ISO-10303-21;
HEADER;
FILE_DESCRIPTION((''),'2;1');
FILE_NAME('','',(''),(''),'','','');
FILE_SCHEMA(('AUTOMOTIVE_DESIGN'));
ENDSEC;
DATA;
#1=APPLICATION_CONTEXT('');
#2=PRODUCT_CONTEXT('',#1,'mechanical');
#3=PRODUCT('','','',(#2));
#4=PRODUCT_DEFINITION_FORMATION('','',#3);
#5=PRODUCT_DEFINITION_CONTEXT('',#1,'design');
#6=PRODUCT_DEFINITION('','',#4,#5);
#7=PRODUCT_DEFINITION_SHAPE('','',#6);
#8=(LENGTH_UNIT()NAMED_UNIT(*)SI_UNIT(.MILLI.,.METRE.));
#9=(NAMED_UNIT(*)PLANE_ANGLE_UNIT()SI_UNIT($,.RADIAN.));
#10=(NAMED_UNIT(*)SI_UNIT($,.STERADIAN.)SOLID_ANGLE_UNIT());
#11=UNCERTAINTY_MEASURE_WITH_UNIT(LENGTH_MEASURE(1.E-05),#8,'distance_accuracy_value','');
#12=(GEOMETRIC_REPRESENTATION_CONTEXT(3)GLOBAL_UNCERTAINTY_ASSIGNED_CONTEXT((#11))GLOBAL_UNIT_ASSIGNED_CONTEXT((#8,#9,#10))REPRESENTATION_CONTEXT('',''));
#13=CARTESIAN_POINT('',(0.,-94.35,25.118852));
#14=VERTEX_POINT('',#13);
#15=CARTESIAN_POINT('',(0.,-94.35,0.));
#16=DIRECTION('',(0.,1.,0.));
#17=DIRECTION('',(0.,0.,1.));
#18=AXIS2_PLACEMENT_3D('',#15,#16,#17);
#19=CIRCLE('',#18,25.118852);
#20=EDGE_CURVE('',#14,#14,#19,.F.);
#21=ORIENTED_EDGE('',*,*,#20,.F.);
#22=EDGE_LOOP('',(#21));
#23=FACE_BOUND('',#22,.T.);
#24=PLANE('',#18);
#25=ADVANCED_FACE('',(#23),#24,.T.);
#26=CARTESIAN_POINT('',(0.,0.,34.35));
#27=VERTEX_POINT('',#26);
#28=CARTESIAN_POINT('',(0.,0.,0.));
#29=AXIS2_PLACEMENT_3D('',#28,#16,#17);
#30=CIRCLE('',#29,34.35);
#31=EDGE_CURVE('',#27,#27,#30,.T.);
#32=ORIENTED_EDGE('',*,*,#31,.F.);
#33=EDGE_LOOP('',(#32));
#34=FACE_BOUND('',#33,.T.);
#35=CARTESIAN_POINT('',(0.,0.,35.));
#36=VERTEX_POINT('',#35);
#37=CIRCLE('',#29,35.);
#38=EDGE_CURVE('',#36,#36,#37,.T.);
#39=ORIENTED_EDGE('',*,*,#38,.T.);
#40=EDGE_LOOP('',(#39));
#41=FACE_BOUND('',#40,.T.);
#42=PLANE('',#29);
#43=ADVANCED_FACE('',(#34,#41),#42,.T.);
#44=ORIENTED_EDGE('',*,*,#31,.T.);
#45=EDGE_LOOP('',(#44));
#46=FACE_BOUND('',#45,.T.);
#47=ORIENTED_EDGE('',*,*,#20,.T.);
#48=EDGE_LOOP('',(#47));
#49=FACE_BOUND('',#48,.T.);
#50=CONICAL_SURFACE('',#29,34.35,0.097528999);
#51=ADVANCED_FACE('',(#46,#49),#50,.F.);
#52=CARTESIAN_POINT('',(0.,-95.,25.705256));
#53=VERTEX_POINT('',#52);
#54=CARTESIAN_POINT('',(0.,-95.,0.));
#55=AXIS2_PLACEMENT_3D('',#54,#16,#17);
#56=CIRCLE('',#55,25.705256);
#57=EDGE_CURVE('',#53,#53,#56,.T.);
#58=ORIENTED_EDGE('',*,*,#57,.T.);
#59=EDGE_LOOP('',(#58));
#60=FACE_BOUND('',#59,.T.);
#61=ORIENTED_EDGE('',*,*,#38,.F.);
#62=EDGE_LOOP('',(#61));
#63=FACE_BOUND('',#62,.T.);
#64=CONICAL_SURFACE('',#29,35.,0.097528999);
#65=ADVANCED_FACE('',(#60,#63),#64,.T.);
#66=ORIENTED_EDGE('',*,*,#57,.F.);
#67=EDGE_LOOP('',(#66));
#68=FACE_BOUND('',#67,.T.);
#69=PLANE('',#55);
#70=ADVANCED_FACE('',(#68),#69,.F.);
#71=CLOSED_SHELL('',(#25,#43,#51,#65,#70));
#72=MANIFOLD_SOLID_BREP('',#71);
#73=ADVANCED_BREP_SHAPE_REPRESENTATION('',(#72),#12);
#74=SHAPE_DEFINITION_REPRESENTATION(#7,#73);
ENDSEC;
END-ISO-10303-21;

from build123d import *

# Parameters (mm, degrees)
SKETCH1_R           = 35
BOSS_EXTRUDE1_DEPTH = 95
BOSS_EXTRUDE1_DRAFT = -5.588
SKETCH3_R           = 34.35
CUT_EXTRUDE1_DEPTH  = 94.35
CUT_EXTRUDE1_DRAFT  = -5.588


with BuildPart() as part:
    # Sketch1 → Boss-Extrude1 (with draft: the straight prism first)
    with BuildSketch(Plane(origin=(0, 0, 0), x_dir=(1, 0, 0), z_dir=(0, 1, 0))):
        Circle(SKETCH1_R)
    extrude(amount=-BOSS_EXTRUDE1_DEPTH)
    # Boss-Extrude1: the draft: its side faces are tilted about the plane it starts from
    boss_extrude1_sides = [part.faces().sort_by_distance(p)[0] for p in [
        (-35, -47.5, 0),
    ]]
    draft(boss_extrude1_sides, Plane(origin=(0, 0, 0), x_dir=(1, 0, 0), z_dir=(0, 1, 0)), BOSS_EXTRUDE1_DRAFT)


with BuildPart() as cut_extrude1_tool:
    # Sketch3 → Cut-Extrude1 (with draft: the straight prism first)
    with BuildSketch(Plane(origin=(0, 0, 0), x_dir=(1, 0, 0), z_dir=(0, 1, 0))):
        Circle(SKETCH3_R)
    extrude(amount=-CUT_EXTRUDE1_DEPTH)
    # Cut-Extrude1: the draft: its side faces are tilted about the plane it starts from
    cut_extrude1_sides = [cut_extrude1_tool.faces().sort_by_distance(p)[0] for p in [
        (-34.35, -47.175, 0),
    ]]
    draft(cut_extrude1_sides, Plane(origin=(0, 0, 0), x_dir=(1, 0, 0), z_dir=(0, 1, 0)), CUT_EXTRUDE1_DRAFT)


with BuildPart() as part_1:
    add(part.part)

    # Cut-Extrude1: cut by cut_extrude1_tool
    add(cut_extrude1_tool.part, mode=Mode.SUBTRACT)


solid = part_1.part
